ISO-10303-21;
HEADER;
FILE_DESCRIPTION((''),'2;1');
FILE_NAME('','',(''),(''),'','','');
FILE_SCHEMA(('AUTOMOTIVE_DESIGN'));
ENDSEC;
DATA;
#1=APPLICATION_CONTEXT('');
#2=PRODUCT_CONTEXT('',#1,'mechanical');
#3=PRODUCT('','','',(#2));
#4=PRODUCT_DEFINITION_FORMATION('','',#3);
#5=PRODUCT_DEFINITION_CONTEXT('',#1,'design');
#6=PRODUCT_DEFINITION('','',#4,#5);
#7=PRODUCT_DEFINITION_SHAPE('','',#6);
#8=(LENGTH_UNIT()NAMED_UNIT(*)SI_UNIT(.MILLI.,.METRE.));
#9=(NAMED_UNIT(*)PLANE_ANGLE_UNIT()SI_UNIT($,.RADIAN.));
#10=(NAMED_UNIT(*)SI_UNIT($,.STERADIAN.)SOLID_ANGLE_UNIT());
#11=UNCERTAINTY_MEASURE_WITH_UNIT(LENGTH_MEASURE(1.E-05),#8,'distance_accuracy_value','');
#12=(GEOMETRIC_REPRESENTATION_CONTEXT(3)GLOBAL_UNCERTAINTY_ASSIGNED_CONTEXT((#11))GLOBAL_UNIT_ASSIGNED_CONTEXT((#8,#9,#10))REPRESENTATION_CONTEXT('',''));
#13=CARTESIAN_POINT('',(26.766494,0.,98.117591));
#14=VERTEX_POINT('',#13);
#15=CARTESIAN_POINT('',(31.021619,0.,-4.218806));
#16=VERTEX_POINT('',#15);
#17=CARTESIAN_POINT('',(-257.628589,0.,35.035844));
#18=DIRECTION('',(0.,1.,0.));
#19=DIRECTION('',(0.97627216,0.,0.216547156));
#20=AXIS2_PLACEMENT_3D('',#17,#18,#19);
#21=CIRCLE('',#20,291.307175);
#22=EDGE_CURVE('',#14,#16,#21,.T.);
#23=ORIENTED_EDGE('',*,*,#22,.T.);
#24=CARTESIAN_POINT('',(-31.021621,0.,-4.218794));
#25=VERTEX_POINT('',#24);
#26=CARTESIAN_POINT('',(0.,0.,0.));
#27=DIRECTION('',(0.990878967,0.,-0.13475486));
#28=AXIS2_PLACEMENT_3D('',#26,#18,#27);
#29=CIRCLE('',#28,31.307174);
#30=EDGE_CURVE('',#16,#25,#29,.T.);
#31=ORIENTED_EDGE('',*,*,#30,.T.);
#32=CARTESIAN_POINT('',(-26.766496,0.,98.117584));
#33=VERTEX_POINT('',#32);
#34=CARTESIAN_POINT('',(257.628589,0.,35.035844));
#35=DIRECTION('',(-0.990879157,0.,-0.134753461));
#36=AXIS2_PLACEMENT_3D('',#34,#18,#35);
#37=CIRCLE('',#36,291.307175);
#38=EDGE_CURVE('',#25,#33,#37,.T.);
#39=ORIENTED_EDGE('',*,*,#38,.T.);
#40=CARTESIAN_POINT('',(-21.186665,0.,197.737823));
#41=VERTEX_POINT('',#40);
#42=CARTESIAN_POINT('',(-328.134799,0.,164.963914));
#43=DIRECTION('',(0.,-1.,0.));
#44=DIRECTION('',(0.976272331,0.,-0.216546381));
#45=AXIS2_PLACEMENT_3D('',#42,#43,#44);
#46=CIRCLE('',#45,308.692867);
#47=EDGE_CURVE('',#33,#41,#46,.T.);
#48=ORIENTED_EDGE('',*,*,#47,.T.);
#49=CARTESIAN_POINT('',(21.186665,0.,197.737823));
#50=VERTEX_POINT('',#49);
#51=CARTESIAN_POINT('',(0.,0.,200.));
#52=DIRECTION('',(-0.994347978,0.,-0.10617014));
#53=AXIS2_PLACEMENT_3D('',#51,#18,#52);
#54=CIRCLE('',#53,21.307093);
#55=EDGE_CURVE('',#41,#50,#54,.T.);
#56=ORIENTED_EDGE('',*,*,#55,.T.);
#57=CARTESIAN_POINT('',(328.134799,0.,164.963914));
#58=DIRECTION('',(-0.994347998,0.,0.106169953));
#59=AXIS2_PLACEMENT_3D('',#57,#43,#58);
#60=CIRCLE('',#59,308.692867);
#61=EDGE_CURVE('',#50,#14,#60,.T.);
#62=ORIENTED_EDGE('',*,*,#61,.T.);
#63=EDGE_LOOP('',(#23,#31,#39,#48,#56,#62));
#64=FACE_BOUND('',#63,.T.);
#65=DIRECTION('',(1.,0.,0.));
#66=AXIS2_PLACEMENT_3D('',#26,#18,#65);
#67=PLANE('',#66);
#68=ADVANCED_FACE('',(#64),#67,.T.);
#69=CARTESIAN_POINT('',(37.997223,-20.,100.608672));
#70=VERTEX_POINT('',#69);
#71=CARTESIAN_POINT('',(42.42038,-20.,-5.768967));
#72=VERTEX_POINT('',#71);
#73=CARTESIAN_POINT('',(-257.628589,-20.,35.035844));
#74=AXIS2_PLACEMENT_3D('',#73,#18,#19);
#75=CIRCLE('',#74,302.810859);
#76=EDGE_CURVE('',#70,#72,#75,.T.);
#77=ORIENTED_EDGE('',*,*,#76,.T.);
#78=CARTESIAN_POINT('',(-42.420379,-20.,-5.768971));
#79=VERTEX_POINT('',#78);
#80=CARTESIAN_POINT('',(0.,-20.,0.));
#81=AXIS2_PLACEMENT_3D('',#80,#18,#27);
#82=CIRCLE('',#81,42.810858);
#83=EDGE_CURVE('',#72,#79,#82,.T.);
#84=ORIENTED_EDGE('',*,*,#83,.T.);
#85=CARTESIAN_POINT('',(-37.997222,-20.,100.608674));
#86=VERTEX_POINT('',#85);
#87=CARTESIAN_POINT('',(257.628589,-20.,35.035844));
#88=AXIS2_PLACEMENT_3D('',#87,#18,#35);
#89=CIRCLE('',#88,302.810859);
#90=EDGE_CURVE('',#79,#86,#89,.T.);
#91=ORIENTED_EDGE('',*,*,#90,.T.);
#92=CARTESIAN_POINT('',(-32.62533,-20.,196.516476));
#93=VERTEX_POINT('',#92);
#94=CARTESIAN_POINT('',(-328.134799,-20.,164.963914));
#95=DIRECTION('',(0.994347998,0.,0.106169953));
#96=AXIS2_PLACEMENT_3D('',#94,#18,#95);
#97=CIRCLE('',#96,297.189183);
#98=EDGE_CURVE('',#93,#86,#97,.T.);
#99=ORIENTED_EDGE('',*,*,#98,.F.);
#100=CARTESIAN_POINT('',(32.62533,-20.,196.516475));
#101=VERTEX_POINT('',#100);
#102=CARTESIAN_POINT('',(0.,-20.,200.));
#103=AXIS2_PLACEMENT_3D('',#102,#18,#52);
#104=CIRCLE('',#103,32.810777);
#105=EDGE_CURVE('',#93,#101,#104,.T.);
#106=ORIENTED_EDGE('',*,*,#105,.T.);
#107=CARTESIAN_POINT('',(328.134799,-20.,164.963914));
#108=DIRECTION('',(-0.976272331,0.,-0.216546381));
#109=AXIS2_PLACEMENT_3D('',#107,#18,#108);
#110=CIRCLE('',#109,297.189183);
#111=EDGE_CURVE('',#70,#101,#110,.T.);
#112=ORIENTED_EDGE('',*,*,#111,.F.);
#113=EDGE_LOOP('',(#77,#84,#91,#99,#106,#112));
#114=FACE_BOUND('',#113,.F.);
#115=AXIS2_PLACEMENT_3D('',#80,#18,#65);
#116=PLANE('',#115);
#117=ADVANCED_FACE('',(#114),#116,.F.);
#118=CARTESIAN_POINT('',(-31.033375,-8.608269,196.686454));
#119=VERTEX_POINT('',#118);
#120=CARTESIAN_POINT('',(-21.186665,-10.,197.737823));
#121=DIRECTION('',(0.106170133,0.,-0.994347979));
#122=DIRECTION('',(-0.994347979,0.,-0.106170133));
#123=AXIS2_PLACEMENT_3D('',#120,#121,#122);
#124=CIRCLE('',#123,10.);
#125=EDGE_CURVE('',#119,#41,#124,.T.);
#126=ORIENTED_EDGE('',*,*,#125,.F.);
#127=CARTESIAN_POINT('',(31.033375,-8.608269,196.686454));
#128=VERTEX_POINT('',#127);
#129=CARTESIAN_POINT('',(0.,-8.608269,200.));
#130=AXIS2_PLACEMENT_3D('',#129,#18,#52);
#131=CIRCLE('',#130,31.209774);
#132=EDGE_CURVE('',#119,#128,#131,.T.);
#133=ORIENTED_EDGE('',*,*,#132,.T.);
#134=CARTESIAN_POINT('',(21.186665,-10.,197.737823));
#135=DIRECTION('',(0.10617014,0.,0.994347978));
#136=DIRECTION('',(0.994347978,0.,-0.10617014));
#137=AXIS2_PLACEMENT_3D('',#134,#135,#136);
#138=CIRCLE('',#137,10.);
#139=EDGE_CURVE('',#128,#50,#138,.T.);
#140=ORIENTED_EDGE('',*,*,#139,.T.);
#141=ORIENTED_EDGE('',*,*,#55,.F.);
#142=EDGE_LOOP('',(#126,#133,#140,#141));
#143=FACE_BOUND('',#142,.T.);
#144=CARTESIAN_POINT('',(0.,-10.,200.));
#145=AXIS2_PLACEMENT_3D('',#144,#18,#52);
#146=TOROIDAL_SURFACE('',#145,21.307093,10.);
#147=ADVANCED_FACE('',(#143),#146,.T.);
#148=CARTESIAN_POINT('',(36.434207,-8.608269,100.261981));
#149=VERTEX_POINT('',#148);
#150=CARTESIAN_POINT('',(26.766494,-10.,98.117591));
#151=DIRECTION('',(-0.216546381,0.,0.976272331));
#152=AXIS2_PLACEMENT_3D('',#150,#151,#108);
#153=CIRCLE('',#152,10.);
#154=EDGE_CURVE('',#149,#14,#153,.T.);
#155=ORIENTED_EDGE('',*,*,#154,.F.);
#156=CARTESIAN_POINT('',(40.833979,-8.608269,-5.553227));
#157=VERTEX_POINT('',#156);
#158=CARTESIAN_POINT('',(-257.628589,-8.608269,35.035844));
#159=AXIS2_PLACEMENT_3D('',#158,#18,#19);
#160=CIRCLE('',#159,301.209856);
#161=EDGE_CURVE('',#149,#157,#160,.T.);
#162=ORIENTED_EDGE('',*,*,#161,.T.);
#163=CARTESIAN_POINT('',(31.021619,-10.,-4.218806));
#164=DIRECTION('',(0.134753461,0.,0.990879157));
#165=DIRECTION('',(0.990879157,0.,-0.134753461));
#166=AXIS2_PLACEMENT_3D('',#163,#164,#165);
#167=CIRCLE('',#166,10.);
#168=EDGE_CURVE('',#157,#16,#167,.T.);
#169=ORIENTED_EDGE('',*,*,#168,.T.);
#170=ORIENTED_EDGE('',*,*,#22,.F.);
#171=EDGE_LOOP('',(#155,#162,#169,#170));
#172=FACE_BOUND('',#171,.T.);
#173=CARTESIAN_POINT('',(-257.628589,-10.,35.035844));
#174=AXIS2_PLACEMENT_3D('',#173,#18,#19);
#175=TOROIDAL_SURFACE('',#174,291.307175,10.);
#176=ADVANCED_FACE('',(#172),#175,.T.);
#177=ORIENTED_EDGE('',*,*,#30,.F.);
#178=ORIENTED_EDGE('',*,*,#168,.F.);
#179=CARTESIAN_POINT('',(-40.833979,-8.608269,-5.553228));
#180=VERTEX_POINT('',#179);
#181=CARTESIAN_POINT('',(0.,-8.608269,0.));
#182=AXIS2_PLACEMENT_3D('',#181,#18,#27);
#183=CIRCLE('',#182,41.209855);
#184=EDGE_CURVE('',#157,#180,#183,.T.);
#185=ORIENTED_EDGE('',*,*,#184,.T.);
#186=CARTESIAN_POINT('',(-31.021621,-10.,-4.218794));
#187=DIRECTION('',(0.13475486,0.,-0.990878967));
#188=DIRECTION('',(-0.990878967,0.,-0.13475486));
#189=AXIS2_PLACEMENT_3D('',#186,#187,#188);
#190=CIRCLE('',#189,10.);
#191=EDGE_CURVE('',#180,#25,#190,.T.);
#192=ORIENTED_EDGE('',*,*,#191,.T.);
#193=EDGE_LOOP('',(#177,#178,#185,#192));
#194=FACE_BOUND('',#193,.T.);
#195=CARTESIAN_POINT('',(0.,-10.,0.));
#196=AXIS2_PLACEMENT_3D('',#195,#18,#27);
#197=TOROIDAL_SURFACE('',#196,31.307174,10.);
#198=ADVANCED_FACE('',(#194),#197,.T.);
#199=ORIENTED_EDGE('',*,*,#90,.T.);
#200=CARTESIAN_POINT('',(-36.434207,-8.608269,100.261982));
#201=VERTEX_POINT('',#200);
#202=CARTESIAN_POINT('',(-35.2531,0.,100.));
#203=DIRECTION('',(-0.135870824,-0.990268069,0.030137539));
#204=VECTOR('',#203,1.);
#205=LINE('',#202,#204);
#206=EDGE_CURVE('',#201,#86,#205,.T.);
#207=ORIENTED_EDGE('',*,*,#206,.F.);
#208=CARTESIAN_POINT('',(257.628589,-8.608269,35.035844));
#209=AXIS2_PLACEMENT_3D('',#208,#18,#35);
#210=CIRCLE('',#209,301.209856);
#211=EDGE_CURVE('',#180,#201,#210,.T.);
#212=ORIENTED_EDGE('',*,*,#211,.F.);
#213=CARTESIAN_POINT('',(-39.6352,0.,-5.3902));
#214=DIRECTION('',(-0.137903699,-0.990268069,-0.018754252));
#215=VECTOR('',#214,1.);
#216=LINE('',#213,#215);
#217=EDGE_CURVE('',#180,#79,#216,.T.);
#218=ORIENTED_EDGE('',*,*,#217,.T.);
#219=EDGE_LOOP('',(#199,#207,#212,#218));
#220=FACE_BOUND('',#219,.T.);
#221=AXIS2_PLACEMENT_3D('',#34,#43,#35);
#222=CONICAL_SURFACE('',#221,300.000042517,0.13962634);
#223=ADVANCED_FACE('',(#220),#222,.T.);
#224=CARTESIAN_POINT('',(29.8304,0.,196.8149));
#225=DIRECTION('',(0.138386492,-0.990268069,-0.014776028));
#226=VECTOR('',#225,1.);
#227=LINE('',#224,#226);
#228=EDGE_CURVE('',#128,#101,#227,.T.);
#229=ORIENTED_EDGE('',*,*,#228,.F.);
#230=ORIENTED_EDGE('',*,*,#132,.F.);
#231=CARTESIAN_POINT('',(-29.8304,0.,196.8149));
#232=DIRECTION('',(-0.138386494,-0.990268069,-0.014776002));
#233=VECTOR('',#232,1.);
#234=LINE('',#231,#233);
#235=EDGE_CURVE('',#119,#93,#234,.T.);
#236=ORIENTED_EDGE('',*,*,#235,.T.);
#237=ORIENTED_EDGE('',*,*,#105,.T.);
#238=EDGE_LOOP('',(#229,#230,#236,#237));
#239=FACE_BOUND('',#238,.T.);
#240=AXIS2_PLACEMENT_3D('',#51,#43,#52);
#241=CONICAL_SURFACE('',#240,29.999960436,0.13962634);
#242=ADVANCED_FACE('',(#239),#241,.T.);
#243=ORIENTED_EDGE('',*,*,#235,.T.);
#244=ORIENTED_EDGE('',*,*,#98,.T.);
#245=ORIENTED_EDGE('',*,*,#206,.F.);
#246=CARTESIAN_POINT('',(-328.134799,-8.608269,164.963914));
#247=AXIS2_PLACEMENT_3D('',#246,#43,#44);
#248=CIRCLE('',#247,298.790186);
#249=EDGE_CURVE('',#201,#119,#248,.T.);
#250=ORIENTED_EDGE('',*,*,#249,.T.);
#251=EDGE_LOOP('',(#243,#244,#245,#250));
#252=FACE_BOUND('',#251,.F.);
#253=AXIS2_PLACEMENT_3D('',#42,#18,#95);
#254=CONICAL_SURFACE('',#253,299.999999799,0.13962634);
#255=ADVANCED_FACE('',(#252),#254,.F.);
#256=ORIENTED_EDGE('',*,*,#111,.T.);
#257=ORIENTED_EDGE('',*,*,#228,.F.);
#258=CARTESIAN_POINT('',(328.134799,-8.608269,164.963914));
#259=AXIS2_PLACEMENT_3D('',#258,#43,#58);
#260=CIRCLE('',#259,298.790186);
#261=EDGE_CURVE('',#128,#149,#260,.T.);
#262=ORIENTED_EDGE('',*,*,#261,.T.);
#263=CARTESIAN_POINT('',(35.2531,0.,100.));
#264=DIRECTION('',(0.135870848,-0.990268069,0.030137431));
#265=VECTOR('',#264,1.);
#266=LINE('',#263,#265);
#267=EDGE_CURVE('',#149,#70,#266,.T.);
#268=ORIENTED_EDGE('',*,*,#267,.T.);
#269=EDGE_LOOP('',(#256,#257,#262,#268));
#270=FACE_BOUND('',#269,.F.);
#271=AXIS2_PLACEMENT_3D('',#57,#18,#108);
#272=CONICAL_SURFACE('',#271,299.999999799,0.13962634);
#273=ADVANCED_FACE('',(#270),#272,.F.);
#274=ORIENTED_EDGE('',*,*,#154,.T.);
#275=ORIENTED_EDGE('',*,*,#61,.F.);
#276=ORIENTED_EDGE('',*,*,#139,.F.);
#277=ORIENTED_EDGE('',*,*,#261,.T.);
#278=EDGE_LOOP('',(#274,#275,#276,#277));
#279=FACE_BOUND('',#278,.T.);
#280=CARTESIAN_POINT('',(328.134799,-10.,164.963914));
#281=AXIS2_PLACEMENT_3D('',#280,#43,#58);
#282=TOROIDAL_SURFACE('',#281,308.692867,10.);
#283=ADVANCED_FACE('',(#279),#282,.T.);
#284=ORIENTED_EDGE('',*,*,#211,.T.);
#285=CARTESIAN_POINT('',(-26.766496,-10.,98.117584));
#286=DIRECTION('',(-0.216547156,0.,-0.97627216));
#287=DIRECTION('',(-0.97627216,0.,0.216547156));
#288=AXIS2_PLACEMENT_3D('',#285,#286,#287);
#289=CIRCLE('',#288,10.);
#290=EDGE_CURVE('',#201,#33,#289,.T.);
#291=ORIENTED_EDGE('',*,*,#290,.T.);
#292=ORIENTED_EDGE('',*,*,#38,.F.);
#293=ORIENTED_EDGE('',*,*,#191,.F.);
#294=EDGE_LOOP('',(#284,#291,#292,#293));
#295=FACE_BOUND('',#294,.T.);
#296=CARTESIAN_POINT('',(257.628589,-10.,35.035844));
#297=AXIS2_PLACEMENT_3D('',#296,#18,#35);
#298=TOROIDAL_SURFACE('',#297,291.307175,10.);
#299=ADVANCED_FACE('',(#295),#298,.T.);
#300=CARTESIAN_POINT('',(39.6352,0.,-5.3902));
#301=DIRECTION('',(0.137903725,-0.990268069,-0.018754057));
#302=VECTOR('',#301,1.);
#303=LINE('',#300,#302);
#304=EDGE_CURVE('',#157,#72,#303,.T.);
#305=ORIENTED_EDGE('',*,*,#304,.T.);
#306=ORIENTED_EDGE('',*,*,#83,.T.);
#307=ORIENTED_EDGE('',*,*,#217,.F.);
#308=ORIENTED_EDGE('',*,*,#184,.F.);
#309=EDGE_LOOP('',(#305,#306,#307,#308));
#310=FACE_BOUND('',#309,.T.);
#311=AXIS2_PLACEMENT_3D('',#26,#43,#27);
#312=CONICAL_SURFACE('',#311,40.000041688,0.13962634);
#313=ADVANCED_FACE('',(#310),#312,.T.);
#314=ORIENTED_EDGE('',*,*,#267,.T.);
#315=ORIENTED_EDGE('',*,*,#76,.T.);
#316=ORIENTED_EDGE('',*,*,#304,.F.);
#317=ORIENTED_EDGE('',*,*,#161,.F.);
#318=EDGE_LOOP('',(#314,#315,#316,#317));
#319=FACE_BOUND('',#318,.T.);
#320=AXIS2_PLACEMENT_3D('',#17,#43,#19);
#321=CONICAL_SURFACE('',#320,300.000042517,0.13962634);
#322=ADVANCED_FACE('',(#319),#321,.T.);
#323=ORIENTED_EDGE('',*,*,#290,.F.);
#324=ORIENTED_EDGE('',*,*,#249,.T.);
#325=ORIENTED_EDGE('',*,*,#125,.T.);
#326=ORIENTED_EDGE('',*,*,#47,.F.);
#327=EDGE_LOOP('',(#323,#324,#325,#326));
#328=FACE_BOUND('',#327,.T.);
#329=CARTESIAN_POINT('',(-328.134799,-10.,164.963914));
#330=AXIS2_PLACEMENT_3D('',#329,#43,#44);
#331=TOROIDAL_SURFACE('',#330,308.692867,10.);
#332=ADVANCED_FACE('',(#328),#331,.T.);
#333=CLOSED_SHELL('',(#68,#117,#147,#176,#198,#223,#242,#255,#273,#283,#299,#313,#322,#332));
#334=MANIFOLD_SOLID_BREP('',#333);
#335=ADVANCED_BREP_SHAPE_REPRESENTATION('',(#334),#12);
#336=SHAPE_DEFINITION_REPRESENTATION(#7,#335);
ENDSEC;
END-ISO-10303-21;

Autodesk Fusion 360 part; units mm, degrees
sketch "Sketch1" plane through (0, 0, 0) normal (0, 1, 0) x (1, 0, 0)
  arc A0 (35.2531, -100) -> (29.8304, -196.8149) centre (328.1348, -164.9639) ccw
  arc A1 (35.2531, -100) -> (39.6352, 5.3902) centre (-257.6286, -35.0361) ccw
  line L0 (0, -200) -> (0, 0) construction
  arc A2 (-29.8304, -196.8149) -> (-35.2531, -100) centre (-328.1348, -164.9639) ccw
  arc A3 (-39.6352, 5.3902) -> (-35.2531, -100) centre (257.6286, -35.0361) ccw
  arc A4 (-29.8304, -196.8149) -> (29.8304, -196.8149) centre (0, -200) ccw
  arc A5 (39.6352, 5.3902) -> (-39.6352, 5.3902) centre (0, 0) ccw
  dimension "d1" = 80
  dimension "d2" = 60
  dimension "d3" = 200
  dimension "d7" = 100
  dimension "d8" = 300
extrude "Extrude1" add sketch "Sketch1" against normal blind 20 draft 8
fillet "Fillet1" radius 10 6 edges at (0, 0, 230) (-28.6043, 0, 148.1869) (-42.1125, 0, 47.499) (0, 0, -40) (42.1125, 0, 47.499) (28.6043, 0, 148.1869)
